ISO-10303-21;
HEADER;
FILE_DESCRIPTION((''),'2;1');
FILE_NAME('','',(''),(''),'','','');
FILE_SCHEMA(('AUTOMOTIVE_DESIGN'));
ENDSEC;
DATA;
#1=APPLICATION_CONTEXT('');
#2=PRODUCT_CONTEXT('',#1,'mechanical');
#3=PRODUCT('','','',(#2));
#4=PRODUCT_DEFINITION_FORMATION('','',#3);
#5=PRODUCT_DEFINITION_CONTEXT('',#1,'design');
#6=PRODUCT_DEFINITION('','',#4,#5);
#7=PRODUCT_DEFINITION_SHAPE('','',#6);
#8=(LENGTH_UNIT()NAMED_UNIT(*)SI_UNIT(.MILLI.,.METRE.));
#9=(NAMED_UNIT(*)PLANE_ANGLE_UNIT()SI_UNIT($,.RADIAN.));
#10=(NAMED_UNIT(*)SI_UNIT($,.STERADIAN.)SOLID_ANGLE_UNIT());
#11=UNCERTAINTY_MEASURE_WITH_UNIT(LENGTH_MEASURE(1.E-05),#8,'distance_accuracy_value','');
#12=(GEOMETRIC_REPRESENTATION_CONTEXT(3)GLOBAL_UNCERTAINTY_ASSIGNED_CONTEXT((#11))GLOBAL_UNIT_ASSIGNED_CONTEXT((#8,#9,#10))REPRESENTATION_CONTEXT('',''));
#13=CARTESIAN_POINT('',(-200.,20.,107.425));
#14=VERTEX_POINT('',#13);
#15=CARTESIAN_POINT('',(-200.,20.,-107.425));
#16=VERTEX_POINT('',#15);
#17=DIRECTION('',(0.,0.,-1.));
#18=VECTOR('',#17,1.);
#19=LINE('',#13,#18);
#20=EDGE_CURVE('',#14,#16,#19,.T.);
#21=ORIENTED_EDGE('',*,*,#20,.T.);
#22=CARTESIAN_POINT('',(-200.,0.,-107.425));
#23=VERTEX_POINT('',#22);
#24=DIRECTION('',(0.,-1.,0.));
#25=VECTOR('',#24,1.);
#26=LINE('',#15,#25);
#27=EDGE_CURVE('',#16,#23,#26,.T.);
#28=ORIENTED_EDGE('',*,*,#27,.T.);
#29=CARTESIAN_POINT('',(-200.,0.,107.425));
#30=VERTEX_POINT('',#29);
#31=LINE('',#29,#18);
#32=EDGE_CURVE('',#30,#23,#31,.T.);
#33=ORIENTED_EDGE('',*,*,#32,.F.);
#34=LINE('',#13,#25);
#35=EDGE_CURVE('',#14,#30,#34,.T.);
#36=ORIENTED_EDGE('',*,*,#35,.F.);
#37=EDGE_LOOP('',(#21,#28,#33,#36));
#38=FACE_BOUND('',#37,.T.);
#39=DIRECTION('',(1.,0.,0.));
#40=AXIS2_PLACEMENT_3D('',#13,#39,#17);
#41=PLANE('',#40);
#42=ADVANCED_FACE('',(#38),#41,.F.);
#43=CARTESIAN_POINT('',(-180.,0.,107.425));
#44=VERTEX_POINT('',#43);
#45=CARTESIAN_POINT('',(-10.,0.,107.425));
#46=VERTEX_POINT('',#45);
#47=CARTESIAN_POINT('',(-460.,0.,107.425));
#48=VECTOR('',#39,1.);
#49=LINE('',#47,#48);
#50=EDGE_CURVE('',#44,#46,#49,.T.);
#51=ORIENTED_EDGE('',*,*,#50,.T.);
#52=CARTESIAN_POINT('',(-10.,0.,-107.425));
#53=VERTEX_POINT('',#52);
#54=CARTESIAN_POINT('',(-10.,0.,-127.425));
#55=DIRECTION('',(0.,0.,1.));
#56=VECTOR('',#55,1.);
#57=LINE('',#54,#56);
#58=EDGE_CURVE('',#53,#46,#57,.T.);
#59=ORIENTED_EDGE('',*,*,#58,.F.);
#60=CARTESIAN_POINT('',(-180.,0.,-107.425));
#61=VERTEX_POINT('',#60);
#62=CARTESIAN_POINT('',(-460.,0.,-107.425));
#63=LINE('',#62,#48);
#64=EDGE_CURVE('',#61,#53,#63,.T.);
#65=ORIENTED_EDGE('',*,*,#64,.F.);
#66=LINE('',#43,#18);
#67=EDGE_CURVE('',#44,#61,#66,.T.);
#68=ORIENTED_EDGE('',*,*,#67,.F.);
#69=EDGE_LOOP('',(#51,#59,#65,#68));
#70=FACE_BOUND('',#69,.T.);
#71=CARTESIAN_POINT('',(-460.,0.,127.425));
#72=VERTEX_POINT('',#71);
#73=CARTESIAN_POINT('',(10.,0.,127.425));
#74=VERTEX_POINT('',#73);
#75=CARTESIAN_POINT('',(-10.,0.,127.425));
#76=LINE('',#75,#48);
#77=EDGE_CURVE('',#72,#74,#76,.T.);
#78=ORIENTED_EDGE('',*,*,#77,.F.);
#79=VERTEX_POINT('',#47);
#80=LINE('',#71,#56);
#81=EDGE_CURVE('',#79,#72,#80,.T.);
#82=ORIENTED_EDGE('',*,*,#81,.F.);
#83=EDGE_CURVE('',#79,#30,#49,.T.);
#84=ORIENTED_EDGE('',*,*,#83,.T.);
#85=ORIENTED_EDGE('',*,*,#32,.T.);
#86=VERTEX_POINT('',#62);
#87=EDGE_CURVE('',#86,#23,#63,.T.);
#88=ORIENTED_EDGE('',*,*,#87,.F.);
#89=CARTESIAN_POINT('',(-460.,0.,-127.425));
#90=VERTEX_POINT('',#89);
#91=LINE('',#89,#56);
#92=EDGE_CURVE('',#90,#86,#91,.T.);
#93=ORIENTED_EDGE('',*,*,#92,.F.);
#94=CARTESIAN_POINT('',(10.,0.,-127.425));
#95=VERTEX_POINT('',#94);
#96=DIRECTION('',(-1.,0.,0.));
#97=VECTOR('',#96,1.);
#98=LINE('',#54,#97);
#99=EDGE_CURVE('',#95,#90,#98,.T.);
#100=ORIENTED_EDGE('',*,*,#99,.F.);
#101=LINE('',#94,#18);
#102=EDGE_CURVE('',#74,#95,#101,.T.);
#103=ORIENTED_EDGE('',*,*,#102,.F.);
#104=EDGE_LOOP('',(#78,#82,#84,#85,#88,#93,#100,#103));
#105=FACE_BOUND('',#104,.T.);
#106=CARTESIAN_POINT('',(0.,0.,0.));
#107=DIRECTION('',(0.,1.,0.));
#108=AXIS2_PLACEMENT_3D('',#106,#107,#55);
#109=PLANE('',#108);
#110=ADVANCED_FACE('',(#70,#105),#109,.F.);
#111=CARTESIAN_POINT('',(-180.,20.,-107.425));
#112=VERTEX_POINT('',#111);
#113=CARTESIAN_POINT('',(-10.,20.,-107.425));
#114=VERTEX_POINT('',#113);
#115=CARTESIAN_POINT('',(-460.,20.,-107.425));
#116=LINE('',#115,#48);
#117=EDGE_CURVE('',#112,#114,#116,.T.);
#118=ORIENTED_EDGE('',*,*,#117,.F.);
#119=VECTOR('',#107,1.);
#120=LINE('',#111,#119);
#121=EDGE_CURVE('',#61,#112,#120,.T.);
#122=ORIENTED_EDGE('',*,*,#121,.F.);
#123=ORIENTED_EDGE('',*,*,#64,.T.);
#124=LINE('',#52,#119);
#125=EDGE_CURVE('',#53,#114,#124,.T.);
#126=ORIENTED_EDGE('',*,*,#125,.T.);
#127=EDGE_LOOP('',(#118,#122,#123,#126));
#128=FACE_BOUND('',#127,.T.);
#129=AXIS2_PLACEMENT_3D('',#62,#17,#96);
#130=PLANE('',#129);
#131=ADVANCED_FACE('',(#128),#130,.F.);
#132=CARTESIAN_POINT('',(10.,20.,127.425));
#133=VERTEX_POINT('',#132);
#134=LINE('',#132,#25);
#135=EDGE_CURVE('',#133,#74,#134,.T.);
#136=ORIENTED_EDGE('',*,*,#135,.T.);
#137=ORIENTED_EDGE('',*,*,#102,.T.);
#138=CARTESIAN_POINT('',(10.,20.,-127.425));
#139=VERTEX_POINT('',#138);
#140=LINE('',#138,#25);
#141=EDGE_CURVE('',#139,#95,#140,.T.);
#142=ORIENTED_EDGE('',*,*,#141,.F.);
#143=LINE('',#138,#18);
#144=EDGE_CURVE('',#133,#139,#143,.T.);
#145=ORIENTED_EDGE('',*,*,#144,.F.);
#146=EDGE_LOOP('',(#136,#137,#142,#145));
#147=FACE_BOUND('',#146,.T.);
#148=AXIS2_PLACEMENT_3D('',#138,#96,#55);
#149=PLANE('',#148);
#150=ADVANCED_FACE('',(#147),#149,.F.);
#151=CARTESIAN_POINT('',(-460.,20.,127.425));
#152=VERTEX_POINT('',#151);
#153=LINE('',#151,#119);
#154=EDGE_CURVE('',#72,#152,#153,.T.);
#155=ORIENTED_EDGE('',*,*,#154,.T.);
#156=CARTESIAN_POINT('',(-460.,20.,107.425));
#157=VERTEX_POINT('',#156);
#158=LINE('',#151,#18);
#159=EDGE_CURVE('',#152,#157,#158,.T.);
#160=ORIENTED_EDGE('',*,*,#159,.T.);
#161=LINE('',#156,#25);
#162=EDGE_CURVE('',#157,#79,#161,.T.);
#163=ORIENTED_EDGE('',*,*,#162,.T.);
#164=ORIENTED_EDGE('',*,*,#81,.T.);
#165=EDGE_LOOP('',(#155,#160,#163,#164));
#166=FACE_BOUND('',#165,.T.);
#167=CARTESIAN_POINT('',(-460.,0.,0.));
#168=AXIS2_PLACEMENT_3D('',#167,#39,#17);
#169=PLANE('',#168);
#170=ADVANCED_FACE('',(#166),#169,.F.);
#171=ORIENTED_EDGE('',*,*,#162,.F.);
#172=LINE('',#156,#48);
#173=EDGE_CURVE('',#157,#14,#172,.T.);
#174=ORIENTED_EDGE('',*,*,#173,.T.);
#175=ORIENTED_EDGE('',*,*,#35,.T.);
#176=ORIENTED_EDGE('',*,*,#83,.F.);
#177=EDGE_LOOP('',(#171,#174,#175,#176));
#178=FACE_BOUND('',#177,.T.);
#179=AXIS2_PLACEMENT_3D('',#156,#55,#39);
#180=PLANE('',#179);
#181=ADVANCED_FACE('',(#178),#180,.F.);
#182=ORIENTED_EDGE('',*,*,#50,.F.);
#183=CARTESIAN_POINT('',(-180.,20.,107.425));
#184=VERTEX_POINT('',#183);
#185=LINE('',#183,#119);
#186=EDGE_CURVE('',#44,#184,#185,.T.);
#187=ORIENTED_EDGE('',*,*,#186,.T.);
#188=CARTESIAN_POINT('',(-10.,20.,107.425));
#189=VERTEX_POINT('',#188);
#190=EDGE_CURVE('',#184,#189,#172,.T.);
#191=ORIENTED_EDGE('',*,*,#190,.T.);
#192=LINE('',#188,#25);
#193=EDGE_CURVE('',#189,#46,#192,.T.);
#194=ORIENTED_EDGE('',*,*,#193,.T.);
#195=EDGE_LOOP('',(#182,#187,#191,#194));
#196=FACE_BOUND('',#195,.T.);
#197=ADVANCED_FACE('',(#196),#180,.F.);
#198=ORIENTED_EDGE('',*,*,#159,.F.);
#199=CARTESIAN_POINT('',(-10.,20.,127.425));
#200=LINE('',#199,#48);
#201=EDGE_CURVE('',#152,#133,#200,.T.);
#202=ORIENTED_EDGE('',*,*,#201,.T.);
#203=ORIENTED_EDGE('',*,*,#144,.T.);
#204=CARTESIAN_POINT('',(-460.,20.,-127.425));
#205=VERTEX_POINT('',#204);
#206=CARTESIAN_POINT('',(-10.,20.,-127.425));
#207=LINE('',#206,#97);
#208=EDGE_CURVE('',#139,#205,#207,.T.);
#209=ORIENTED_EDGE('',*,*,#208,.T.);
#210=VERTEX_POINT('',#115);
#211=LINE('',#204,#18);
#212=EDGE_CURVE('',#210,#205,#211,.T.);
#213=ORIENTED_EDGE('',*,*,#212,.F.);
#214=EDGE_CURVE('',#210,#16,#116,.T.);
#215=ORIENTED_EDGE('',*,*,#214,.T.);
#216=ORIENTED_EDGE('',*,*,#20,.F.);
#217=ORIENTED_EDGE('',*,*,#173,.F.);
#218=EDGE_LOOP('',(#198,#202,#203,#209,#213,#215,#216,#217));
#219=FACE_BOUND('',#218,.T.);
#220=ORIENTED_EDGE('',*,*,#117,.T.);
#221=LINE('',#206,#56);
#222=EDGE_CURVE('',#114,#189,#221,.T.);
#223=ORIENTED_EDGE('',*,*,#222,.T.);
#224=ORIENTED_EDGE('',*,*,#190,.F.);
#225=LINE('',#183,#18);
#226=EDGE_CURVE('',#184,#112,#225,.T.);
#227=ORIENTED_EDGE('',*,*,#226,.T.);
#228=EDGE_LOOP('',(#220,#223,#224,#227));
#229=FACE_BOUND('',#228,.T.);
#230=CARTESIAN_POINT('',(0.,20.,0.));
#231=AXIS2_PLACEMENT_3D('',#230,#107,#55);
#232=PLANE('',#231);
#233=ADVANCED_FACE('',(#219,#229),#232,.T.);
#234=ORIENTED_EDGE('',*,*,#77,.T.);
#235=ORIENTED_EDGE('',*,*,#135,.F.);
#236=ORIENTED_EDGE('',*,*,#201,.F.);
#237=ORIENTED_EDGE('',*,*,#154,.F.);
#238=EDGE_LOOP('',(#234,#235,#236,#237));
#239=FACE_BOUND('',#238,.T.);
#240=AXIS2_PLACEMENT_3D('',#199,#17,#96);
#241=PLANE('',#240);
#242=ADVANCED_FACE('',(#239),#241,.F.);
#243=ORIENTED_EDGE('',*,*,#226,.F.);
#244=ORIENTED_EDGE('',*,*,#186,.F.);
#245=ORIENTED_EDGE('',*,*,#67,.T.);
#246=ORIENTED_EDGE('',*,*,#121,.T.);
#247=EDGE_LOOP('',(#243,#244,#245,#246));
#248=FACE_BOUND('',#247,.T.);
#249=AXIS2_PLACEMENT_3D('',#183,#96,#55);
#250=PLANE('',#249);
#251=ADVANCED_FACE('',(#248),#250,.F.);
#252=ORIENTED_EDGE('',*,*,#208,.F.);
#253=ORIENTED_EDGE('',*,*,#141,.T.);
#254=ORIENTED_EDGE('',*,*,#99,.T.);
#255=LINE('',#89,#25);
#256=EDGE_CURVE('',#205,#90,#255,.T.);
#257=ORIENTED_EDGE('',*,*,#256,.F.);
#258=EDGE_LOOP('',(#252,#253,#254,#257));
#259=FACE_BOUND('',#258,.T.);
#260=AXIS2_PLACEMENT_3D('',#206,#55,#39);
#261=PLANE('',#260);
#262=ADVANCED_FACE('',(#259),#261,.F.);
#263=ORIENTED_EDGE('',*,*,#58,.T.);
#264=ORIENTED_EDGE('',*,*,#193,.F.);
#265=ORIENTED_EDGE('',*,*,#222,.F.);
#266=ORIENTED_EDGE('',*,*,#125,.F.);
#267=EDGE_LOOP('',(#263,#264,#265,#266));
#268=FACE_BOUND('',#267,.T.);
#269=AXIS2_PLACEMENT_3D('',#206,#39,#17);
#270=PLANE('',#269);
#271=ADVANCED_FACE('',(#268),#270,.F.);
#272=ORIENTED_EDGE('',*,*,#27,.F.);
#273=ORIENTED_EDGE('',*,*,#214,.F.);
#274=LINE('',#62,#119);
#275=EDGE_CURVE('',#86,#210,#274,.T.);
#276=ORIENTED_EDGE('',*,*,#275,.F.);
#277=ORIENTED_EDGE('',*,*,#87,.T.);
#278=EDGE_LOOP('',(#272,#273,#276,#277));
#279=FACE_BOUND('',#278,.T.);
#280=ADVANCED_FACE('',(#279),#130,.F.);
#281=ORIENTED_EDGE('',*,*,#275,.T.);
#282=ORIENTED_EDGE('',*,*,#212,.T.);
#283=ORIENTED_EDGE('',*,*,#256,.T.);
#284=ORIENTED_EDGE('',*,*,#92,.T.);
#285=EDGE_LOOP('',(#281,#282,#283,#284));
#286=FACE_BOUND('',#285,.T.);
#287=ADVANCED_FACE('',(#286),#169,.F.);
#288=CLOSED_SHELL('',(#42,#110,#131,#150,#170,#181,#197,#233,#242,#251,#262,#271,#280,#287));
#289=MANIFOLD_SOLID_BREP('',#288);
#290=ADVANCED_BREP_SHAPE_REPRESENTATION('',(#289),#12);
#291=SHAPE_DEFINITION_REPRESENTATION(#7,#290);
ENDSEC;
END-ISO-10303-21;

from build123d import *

# Parameters (mm, degrees)
SKETCH1_W           = 20
SKETCH1_H           = 254.85
BOSS_EXTRUDE1_DEPTH = 20
SKETCH3_W           = 20
SKETCH3_H           = 20
BOSS_EXTRUDE2_DEPTH = 450
SKETCH5_W           = 20
SKETCH5_H           = 20
BOSS_EXTRUDE4_DEPTH = 214.85


with BuildPart() as part:
    # Sketch1 → Boss-Extrude1 (new body)
    with BuildSketch(Plane(origin=(0, 0, 0), x_dir=(1, 0, 0), z_dir=(0, 1, 0))):
        Rectangle(SKETCH1_W, SKETCH1_H)
    extrude(amount=BOSS_EXTRUDE1_DEPTH)

    # Sketch3 → Boss-Extrude2 (add)
    with BuildSketch(Plane.ZY.offset(10)):
        with Locations((117.425, 10)):
            Rectangle(SKETCH3_W, SKETCH3_H)
        with Locations((-117.425, 10)):
            Rectangle(SKETCH3_W, SKETCH3_H)
    extrude(amount=BOSS_EXTRUDE2_DEPTH)

    # Sketch5 → Boss-Extrude4 (add)
    with BuildSketch(Plane.XY.offset(-107.425)):
        with Locations((-190, 10)):
            Rectangle(SKETCH5_W, SKETCH5_H)
    extrude(amount=BOSS_EXTRUDE4_DEPTH)


solid = part.part
